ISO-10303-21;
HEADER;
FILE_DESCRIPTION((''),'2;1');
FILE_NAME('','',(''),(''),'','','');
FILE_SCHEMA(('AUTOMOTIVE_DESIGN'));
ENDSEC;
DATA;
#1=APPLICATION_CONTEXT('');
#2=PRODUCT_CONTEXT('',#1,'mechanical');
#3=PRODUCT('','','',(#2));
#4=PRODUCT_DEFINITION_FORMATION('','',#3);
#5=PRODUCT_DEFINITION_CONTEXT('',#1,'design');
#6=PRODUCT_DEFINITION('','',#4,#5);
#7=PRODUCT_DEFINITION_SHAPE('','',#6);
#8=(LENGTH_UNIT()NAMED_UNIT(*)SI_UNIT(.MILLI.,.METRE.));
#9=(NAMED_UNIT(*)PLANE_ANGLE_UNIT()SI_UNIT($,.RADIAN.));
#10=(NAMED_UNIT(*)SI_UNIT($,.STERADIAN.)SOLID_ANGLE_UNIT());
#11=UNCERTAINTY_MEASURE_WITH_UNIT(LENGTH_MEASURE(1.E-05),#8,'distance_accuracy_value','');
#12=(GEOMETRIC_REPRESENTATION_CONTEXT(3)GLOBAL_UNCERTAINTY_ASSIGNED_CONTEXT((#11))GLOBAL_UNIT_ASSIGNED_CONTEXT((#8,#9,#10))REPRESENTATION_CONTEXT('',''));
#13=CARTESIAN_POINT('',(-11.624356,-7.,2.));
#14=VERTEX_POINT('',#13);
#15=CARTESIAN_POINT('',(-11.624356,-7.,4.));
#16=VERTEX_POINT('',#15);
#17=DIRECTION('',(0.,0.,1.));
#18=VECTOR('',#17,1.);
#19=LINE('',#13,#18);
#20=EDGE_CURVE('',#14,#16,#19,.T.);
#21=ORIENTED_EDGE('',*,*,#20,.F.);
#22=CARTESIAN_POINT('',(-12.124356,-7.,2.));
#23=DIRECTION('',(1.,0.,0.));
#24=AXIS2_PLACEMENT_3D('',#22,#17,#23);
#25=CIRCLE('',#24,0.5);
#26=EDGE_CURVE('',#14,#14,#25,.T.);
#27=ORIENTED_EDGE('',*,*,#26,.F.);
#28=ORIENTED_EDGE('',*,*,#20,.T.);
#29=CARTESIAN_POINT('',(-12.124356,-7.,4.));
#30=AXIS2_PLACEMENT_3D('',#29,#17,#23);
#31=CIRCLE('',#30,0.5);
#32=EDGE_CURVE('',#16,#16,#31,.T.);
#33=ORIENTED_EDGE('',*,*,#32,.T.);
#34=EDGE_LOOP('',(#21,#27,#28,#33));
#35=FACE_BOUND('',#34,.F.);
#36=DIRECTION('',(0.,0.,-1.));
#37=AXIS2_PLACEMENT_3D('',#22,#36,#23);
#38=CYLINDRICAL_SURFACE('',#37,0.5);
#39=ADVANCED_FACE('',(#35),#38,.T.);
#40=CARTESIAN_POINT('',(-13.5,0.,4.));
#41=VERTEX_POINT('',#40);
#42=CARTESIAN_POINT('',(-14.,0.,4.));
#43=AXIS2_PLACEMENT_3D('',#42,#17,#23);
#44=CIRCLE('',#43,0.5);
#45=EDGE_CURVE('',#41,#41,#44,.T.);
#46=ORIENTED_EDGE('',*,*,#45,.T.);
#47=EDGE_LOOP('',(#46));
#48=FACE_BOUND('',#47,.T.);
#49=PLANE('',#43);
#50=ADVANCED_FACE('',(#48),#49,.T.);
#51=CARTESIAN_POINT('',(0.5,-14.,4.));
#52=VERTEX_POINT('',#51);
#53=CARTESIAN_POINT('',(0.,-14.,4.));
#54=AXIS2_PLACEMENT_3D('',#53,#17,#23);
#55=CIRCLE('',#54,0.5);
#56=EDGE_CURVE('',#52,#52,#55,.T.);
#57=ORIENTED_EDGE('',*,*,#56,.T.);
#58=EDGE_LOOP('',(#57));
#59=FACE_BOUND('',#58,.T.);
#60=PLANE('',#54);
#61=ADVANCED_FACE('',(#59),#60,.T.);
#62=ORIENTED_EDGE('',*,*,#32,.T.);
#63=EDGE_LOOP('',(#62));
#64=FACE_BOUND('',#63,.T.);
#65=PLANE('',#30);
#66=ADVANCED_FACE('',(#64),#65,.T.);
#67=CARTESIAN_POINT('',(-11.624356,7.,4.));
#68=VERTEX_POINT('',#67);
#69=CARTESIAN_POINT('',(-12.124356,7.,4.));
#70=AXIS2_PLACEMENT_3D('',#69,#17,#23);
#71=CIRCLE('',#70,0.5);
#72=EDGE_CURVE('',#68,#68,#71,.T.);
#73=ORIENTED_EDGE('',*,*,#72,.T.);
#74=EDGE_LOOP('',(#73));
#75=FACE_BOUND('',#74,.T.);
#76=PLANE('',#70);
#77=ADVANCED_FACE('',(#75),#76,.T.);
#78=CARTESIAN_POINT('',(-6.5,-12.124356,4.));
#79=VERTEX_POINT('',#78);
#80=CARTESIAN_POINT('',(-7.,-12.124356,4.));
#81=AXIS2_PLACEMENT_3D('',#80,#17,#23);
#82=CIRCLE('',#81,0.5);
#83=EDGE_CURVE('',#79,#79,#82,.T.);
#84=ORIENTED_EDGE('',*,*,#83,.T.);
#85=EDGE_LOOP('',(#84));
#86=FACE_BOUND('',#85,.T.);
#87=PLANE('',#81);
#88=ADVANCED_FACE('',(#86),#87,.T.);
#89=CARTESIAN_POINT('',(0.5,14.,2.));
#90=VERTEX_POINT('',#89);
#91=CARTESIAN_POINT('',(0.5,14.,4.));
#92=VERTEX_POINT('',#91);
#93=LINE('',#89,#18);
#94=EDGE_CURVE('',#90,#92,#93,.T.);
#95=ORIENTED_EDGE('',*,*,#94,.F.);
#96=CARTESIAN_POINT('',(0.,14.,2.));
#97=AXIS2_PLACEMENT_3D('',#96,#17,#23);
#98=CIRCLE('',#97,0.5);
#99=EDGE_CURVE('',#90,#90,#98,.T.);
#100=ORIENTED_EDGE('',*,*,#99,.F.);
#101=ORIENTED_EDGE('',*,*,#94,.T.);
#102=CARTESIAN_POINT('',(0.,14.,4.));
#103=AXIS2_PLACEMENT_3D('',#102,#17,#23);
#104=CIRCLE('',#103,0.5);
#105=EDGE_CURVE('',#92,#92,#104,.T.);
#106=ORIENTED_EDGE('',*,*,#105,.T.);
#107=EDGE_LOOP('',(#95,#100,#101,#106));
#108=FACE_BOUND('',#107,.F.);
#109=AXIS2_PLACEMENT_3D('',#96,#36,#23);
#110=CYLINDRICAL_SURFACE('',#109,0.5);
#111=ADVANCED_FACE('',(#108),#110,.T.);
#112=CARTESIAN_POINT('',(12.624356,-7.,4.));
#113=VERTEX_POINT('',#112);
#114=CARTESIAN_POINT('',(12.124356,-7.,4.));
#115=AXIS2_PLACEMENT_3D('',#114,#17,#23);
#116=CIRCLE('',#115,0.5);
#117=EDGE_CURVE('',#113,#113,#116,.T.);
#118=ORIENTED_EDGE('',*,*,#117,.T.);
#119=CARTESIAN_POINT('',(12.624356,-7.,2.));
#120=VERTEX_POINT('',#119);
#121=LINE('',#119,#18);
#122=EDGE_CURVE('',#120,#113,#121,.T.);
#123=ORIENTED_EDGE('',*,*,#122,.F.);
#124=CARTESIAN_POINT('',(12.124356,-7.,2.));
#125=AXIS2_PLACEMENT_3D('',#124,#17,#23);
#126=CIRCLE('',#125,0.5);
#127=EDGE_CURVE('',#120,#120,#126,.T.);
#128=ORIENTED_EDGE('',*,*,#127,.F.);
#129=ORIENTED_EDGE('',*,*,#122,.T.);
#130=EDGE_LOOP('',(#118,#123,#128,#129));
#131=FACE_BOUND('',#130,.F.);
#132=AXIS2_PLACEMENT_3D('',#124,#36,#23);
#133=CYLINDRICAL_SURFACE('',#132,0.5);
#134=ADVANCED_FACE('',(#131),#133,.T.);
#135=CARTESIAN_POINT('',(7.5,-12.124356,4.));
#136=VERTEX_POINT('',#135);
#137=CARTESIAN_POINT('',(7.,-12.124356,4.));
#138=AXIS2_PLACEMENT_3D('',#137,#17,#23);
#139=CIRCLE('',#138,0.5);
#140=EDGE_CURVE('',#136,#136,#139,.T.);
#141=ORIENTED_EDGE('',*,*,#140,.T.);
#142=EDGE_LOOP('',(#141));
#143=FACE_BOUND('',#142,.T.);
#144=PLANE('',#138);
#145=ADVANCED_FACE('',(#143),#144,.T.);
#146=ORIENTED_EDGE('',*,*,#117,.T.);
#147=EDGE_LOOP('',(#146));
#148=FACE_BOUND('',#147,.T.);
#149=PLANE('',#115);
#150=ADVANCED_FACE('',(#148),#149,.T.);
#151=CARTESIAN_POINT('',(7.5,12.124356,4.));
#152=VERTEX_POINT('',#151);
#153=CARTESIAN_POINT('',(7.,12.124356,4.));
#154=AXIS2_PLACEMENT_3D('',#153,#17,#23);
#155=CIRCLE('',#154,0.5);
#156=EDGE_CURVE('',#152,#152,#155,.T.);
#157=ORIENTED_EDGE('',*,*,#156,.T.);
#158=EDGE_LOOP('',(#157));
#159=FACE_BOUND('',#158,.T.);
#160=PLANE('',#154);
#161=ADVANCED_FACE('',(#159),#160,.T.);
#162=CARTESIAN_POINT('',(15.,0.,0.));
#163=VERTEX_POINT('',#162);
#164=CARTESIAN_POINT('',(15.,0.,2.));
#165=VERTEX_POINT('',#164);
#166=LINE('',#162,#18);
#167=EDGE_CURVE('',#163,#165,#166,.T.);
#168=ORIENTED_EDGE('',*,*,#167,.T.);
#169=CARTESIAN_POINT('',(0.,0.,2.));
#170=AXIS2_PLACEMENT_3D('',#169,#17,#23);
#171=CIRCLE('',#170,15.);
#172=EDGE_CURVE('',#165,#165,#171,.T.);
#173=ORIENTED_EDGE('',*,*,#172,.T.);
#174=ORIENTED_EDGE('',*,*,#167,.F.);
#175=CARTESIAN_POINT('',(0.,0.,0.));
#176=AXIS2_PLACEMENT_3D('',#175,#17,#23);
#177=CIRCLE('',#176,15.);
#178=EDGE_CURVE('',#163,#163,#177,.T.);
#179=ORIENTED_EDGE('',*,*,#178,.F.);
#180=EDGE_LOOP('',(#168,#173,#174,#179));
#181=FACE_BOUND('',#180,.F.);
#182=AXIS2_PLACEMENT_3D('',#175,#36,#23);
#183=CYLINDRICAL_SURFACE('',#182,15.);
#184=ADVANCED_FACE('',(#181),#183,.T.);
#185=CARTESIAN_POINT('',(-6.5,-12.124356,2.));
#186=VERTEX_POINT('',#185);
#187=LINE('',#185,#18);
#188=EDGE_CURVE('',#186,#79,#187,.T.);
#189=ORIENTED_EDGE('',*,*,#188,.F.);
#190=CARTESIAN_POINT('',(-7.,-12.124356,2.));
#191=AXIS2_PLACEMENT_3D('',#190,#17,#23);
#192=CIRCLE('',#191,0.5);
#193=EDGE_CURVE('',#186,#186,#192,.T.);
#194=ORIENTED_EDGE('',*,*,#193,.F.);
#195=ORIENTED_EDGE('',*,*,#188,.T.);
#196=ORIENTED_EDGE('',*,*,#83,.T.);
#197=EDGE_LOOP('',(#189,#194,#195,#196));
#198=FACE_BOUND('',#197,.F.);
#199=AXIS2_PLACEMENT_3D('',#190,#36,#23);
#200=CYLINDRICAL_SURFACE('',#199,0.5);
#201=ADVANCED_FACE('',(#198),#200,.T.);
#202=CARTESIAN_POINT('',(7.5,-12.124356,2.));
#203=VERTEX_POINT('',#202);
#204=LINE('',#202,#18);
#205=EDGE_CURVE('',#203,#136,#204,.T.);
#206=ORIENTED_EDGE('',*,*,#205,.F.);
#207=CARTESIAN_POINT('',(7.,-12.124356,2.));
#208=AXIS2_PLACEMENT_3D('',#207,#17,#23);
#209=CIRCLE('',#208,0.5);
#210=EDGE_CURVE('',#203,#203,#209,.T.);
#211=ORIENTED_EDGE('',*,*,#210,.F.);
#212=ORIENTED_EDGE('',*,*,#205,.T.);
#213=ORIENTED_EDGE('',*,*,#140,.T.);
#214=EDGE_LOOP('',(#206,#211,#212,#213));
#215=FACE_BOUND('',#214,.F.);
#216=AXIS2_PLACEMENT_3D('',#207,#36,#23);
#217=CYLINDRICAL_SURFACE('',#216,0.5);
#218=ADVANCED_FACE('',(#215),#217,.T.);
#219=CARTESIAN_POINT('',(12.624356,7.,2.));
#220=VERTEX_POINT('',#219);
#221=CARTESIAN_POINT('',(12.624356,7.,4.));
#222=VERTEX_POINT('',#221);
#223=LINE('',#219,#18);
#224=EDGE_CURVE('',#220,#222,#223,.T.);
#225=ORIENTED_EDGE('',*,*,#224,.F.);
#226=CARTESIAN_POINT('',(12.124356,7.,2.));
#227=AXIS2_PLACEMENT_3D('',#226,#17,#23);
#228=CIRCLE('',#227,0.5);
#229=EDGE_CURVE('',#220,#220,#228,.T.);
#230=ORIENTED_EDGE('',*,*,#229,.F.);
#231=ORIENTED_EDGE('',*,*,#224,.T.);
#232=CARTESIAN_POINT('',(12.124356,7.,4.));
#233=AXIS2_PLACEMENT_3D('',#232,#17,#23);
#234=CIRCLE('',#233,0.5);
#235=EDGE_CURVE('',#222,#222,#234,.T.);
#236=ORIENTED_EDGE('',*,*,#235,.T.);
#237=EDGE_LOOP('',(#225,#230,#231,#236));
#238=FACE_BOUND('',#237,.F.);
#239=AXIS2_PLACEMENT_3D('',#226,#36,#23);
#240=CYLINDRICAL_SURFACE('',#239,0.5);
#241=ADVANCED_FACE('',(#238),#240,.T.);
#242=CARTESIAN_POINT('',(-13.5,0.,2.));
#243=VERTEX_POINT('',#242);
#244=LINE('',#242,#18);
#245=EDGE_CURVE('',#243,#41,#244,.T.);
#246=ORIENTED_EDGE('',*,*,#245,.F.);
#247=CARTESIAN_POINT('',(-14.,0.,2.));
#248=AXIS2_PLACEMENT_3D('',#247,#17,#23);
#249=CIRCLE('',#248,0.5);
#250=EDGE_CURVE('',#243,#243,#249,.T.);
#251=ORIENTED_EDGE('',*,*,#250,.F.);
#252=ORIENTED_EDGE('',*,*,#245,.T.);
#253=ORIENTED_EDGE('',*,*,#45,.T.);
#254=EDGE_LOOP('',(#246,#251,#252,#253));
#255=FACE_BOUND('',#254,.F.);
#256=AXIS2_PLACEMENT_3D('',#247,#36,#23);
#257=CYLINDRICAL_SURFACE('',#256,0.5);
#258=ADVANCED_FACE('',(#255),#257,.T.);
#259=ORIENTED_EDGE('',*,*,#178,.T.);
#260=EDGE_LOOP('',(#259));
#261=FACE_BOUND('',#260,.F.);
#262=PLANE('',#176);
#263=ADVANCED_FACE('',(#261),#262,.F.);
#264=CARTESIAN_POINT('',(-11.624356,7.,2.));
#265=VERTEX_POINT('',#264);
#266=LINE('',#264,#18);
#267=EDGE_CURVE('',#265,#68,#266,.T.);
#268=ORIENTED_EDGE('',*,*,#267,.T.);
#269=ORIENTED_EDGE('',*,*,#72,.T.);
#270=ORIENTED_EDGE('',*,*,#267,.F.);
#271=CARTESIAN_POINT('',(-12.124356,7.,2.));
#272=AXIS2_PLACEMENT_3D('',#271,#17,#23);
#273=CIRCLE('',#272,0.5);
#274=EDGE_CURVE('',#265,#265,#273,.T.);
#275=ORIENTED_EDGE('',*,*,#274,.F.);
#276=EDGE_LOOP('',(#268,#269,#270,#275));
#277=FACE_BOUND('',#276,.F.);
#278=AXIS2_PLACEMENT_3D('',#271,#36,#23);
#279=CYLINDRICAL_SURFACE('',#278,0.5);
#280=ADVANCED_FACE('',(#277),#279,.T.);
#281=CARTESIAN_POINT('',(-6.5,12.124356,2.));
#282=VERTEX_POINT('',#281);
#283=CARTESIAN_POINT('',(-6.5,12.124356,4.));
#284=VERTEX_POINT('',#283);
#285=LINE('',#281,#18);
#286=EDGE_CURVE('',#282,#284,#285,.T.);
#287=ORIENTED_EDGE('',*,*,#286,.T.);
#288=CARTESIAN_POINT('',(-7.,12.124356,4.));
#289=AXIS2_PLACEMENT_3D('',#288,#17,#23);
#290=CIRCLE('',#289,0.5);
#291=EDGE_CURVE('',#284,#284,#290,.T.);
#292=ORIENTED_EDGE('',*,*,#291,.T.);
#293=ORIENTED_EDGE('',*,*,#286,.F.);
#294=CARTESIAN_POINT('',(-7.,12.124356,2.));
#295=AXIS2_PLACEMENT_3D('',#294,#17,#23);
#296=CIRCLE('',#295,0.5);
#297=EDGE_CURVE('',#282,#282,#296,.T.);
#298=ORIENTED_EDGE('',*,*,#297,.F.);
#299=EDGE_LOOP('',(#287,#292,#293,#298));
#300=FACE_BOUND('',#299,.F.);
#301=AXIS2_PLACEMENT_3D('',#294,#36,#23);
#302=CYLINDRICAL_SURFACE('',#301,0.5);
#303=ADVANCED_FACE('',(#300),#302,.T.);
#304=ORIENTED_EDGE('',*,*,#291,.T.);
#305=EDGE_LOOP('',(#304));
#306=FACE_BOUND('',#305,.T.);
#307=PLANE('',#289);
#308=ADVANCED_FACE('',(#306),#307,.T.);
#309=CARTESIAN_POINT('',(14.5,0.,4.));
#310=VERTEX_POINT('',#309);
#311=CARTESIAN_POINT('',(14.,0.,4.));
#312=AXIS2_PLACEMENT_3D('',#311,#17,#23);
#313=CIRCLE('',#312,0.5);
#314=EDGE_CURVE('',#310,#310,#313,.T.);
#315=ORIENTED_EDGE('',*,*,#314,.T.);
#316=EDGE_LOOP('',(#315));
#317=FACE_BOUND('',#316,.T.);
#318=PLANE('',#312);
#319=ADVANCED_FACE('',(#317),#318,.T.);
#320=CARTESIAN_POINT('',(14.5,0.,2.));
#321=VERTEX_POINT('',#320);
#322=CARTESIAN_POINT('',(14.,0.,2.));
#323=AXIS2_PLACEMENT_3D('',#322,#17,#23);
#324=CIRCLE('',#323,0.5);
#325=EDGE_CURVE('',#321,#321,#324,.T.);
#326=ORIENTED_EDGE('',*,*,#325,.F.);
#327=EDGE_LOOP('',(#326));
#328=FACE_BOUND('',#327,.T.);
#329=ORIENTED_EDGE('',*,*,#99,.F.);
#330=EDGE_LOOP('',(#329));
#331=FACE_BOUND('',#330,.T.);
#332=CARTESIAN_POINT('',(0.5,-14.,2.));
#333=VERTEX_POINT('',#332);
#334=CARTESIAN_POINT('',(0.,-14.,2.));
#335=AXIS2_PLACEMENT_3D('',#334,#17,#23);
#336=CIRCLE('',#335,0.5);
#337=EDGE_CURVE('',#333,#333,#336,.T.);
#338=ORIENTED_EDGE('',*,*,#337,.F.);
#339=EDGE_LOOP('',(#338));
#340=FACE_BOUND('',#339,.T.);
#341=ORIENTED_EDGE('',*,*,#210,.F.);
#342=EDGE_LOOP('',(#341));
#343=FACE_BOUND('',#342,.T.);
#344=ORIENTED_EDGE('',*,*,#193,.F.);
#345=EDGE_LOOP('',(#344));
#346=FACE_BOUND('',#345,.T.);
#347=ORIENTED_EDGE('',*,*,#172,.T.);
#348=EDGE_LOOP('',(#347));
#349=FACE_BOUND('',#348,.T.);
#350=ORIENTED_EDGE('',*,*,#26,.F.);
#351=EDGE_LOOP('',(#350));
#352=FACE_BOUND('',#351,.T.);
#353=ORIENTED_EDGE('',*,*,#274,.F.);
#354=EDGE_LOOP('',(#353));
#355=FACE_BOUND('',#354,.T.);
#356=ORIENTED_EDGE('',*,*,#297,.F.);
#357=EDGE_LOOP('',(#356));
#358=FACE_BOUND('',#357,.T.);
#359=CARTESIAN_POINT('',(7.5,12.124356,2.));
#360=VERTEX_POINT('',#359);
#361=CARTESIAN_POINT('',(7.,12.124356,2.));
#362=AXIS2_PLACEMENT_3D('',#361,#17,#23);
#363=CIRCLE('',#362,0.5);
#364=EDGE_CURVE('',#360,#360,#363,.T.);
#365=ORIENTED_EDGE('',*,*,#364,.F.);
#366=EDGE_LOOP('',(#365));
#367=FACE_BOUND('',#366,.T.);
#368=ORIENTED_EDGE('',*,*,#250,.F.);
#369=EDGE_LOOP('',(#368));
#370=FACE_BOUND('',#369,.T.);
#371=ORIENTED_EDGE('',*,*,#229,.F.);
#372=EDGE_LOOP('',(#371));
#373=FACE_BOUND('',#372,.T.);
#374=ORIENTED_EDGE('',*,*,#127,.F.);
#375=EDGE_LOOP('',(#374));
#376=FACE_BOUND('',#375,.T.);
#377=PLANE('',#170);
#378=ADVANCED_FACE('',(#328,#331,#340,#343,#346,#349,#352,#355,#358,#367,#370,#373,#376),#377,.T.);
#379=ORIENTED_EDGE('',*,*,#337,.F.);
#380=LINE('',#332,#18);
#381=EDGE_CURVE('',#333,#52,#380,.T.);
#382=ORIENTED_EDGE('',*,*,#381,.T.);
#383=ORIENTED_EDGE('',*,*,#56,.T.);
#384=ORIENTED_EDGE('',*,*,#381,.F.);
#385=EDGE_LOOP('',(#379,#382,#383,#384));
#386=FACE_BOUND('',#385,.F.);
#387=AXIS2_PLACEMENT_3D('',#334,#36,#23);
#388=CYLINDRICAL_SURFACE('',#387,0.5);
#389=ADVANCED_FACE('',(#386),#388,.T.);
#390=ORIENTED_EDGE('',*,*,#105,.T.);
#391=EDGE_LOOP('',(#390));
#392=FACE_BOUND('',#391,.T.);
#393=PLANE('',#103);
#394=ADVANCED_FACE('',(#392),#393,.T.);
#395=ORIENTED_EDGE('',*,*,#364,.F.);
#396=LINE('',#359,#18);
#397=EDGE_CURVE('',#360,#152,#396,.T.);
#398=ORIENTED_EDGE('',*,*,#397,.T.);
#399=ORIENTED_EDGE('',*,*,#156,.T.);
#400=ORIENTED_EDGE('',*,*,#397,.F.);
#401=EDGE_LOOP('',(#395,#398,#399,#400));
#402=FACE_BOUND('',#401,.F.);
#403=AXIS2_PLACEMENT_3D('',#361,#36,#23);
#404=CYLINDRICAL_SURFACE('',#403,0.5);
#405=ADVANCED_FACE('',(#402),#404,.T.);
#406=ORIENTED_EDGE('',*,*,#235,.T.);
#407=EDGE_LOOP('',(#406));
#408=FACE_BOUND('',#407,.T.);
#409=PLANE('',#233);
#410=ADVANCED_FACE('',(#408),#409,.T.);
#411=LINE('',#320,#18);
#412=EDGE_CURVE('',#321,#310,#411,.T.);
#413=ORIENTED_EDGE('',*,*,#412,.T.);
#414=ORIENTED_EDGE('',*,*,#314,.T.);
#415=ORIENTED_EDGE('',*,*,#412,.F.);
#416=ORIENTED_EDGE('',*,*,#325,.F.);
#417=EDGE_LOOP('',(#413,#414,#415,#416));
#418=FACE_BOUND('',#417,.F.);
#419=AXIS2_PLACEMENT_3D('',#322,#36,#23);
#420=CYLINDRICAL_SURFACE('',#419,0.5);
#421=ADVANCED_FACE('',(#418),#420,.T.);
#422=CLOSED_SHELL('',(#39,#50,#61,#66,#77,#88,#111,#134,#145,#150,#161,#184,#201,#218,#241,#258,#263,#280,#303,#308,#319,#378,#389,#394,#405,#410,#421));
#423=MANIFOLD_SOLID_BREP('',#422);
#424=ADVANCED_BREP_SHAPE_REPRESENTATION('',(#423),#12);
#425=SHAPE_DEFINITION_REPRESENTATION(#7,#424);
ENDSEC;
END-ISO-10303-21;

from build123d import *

# Parameters (mm, degrees)
F0_R     = 15
F1_DEPTH = 2
F2_R     = 0.5
F3_DEPTH = 2


with BuildPart() as f1:
    # F0 (on Top) → F1 (new body)
    with BuildSketch(Plane.XY):
        Circle(F0_R)
    extrude(amount=F1_DEPTH)

    # F2 (on face) → F3 (join)
    with BuildSketch(Plane.XY.offset(2)):
        with Locations((0, 14)):
            Circle(F2_R)
        with Locations((7, 12.124356)):
            Circle(F2_R)
        with Locations((12.124356, 7)):
            Circle(F2_R)
        with Locations((14, 0)):
            Circle(F2_R)
        with Locations((12.124356, -7)):
            Circle(F2_R)
        with Locations((7, -12.124356)):
            Circle(F2_R)
        with Locations((0, -14)):
            Circle(F2_R)
        with Locations((-7, -12.124356)):
            Circle(F2_R)
        with Locations((-12.124356, -7)):
            Circle(F2_R)
        with Locations((-14, 0)):
            Circle(F2_R)
        with Locations((-12.124356, 7)):
            Circle(F2_R)
        with Locations((-7, 12.124356)):
            Circle(F2_R)
    extrude(amount=F3_DEPTH)


solid = f1.part
